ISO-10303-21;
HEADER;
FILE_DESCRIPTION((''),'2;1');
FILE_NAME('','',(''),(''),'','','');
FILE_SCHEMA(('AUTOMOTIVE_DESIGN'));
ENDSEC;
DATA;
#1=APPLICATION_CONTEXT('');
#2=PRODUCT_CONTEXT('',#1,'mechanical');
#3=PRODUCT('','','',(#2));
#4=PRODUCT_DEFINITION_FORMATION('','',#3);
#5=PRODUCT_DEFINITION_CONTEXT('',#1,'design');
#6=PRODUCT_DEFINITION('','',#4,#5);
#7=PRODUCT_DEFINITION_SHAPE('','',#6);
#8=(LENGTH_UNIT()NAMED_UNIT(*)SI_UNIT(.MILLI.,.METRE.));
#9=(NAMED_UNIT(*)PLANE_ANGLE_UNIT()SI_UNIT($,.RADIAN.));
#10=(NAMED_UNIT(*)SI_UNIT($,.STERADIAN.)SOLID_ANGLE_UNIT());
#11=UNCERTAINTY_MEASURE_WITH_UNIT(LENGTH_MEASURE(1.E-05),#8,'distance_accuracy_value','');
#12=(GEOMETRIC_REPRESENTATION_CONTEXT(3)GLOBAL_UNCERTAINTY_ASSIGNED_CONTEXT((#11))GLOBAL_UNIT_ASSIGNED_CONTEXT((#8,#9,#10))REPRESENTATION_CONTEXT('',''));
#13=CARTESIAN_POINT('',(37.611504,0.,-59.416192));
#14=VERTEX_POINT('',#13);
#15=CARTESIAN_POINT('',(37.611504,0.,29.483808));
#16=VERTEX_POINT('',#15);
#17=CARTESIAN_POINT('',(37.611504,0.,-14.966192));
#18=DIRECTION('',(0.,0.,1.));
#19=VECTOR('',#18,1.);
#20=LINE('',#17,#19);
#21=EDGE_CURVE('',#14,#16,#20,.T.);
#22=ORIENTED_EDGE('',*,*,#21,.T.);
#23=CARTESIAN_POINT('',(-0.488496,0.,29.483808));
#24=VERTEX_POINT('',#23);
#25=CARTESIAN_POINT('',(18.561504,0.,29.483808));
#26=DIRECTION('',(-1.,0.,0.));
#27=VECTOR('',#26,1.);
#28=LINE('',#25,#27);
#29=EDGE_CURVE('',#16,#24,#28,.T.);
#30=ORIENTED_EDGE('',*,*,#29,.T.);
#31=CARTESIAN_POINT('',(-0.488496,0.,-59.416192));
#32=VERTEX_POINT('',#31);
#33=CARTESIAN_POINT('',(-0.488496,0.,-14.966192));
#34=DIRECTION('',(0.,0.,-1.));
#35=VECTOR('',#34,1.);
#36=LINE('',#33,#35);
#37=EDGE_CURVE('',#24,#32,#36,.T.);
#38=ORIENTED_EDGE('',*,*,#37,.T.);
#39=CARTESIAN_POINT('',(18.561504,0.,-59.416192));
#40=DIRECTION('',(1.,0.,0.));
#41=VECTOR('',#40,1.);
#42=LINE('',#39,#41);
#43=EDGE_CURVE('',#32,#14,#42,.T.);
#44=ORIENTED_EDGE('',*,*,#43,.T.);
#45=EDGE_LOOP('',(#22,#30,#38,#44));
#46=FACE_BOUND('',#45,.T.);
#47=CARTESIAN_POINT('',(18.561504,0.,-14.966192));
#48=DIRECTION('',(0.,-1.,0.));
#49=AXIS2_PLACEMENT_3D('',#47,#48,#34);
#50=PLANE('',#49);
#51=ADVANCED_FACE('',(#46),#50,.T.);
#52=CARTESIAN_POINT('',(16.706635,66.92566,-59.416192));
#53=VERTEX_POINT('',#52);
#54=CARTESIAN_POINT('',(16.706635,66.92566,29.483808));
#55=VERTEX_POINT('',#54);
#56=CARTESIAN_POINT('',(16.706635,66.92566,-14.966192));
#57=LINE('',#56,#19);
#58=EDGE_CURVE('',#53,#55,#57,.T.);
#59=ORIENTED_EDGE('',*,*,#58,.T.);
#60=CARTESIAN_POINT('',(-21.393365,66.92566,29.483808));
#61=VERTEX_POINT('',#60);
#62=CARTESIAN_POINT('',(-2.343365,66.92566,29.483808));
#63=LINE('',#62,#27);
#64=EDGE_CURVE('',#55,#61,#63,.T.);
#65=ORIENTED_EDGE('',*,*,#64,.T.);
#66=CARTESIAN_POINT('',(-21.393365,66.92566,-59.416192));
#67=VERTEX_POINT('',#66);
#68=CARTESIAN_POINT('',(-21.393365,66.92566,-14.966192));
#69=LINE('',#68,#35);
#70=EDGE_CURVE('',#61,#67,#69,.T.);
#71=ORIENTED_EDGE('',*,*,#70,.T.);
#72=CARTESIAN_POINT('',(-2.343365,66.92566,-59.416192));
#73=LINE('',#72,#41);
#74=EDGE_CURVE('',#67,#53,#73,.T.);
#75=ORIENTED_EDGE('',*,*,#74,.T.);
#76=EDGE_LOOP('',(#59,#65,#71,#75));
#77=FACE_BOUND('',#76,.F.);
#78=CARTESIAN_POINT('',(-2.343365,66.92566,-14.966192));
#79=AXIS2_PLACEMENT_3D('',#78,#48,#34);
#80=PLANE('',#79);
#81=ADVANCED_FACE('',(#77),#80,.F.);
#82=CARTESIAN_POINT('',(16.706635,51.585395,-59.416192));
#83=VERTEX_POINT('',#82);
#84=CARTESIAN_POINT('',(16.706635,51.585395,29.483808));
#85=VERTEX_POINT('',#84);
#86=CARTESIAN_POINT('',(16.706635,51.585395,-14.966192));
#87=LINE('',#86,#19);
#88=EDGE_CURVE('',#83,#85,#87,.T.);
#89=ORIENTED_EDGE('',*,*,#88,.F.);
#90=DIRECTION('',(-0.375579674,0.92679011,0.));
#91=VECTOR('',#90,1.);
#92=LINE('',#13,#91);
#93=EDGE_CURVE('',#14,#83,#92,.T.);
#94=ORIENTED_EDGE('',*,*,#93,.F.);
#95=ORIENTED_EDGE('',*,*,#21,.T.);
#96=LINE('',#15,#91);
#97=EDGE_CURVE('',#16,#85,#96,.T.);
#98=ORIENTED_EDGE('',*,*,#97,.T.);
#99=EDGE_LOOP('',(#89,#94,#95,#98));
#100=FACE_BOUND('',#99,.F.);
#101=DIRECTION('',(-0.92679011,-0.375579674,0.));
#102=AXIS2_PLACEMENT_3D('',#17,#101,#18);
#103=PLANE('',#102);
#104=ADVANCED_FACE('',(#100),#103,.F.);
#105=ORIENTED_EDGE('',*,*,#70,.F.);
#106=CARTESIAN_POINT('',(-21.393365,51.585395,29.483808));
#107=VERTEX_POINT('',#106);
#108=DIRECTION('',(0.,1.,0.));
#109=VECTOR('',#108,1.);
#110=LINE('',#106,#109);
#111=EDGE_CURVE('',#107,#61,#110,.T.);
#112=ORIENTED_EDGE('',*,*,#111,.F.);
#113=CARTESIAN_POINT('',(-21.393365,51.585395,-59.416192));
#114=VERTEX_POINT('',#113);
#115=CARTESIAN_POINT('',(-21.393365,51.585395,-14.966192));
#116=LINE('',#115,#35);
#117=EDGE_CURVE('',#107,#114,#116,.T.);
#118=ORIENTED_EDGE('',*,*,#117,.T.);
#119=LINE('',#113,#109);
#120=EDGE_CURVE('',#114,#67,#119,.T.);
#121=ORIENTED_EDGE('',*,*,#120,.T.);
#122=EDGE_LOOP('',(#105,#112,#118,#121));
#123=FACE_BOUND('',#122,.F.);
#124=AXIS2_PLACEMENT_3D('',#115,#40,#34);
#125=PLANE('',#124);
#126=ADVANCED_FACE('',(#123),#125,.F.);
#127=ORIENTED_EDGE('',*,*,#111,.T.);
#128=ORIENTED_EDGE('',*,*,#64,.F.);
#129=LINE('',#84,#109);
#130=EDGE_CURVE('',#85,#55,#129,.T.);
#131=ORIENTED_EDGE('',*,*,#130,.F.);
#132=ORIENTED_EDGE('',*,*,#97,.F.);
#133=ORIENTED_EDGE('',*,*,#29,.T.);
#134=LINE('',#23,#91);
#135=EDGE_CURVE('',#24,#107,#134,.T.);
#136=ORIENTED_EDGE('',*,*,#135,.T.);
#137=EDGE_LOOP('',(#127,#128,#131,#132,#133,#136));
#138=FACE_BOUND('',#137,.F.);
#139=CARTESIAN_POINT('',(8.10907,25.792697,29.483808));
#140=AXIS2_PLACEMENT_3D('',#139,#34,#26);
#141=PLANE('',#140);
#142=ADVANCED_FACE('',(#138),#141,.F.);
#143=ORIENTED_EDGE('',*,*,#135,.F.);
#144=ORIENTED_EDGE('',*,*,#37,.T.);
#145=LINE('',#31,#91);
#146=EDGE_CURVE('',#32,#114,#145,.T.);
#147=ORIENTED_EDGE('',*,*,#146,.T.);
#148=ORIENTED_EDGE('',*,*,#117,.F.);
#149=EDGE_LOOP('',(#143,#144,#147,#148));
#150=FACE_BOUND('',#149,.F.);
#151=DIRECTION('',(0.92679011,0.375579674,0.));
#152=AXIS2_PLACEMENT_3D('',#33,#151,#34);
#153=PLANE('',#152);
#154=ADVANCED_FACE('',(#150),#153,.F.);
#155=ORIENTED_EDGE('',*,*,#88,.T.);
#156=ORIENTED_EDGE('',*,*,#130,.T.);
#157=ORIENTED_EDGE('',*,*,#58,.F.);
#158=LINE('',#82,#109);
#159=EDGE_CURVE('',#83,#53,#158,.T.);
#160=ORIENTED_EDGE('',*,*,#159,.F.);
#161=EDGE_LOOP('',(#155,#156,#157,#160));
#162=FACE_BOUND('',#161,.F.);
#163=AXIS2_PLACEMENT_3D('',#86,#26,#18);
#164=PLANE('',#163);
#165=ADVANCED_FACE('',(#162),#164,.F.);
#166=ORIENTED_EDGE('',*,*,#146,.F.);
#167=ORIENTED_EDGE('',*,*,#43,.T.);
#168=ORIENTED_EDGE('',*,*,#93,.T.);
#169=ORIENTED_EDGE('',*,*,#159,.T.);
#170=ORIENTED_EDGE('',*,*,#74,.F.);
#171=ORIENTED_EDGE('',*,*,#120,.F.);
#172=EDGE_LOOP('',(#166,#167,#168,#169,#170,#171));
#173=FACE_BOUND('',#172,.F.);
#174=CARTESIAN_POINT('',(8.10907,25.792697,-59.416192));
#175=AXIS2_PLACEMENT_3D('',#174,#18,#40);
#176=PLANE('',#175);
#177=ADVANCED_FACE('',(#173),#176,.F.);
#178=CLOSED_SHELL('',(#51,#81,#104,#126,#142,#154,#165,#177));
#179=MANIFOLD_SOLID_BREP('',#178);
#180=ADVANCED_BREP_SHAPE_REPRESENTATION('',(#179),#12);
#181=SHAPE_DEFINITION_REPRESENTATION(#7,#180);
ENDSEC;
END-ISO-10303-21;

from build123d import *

# Parameters (mm, degrees)
F0_W = 38.1
F0_H = 88.9


with BuildPart() as f2:
    # F2: sweep along a path in F1
    with BuildLine(Plane.XY) as f2_path:
        Line((0, 0), (-20.904869, 51.585395))
        Line((-20.904869, 51.585395), (-20.904869, 66.92566))
    # F0 (on Front) → F2 (sweep)
    with BuildSketch(Plane.XZ):
        with Locations((18.561504, -14.966192)):
            Rectangle(F0_W, F0_H)
    sweep(path=f2_path.line)


solid = f2.part
